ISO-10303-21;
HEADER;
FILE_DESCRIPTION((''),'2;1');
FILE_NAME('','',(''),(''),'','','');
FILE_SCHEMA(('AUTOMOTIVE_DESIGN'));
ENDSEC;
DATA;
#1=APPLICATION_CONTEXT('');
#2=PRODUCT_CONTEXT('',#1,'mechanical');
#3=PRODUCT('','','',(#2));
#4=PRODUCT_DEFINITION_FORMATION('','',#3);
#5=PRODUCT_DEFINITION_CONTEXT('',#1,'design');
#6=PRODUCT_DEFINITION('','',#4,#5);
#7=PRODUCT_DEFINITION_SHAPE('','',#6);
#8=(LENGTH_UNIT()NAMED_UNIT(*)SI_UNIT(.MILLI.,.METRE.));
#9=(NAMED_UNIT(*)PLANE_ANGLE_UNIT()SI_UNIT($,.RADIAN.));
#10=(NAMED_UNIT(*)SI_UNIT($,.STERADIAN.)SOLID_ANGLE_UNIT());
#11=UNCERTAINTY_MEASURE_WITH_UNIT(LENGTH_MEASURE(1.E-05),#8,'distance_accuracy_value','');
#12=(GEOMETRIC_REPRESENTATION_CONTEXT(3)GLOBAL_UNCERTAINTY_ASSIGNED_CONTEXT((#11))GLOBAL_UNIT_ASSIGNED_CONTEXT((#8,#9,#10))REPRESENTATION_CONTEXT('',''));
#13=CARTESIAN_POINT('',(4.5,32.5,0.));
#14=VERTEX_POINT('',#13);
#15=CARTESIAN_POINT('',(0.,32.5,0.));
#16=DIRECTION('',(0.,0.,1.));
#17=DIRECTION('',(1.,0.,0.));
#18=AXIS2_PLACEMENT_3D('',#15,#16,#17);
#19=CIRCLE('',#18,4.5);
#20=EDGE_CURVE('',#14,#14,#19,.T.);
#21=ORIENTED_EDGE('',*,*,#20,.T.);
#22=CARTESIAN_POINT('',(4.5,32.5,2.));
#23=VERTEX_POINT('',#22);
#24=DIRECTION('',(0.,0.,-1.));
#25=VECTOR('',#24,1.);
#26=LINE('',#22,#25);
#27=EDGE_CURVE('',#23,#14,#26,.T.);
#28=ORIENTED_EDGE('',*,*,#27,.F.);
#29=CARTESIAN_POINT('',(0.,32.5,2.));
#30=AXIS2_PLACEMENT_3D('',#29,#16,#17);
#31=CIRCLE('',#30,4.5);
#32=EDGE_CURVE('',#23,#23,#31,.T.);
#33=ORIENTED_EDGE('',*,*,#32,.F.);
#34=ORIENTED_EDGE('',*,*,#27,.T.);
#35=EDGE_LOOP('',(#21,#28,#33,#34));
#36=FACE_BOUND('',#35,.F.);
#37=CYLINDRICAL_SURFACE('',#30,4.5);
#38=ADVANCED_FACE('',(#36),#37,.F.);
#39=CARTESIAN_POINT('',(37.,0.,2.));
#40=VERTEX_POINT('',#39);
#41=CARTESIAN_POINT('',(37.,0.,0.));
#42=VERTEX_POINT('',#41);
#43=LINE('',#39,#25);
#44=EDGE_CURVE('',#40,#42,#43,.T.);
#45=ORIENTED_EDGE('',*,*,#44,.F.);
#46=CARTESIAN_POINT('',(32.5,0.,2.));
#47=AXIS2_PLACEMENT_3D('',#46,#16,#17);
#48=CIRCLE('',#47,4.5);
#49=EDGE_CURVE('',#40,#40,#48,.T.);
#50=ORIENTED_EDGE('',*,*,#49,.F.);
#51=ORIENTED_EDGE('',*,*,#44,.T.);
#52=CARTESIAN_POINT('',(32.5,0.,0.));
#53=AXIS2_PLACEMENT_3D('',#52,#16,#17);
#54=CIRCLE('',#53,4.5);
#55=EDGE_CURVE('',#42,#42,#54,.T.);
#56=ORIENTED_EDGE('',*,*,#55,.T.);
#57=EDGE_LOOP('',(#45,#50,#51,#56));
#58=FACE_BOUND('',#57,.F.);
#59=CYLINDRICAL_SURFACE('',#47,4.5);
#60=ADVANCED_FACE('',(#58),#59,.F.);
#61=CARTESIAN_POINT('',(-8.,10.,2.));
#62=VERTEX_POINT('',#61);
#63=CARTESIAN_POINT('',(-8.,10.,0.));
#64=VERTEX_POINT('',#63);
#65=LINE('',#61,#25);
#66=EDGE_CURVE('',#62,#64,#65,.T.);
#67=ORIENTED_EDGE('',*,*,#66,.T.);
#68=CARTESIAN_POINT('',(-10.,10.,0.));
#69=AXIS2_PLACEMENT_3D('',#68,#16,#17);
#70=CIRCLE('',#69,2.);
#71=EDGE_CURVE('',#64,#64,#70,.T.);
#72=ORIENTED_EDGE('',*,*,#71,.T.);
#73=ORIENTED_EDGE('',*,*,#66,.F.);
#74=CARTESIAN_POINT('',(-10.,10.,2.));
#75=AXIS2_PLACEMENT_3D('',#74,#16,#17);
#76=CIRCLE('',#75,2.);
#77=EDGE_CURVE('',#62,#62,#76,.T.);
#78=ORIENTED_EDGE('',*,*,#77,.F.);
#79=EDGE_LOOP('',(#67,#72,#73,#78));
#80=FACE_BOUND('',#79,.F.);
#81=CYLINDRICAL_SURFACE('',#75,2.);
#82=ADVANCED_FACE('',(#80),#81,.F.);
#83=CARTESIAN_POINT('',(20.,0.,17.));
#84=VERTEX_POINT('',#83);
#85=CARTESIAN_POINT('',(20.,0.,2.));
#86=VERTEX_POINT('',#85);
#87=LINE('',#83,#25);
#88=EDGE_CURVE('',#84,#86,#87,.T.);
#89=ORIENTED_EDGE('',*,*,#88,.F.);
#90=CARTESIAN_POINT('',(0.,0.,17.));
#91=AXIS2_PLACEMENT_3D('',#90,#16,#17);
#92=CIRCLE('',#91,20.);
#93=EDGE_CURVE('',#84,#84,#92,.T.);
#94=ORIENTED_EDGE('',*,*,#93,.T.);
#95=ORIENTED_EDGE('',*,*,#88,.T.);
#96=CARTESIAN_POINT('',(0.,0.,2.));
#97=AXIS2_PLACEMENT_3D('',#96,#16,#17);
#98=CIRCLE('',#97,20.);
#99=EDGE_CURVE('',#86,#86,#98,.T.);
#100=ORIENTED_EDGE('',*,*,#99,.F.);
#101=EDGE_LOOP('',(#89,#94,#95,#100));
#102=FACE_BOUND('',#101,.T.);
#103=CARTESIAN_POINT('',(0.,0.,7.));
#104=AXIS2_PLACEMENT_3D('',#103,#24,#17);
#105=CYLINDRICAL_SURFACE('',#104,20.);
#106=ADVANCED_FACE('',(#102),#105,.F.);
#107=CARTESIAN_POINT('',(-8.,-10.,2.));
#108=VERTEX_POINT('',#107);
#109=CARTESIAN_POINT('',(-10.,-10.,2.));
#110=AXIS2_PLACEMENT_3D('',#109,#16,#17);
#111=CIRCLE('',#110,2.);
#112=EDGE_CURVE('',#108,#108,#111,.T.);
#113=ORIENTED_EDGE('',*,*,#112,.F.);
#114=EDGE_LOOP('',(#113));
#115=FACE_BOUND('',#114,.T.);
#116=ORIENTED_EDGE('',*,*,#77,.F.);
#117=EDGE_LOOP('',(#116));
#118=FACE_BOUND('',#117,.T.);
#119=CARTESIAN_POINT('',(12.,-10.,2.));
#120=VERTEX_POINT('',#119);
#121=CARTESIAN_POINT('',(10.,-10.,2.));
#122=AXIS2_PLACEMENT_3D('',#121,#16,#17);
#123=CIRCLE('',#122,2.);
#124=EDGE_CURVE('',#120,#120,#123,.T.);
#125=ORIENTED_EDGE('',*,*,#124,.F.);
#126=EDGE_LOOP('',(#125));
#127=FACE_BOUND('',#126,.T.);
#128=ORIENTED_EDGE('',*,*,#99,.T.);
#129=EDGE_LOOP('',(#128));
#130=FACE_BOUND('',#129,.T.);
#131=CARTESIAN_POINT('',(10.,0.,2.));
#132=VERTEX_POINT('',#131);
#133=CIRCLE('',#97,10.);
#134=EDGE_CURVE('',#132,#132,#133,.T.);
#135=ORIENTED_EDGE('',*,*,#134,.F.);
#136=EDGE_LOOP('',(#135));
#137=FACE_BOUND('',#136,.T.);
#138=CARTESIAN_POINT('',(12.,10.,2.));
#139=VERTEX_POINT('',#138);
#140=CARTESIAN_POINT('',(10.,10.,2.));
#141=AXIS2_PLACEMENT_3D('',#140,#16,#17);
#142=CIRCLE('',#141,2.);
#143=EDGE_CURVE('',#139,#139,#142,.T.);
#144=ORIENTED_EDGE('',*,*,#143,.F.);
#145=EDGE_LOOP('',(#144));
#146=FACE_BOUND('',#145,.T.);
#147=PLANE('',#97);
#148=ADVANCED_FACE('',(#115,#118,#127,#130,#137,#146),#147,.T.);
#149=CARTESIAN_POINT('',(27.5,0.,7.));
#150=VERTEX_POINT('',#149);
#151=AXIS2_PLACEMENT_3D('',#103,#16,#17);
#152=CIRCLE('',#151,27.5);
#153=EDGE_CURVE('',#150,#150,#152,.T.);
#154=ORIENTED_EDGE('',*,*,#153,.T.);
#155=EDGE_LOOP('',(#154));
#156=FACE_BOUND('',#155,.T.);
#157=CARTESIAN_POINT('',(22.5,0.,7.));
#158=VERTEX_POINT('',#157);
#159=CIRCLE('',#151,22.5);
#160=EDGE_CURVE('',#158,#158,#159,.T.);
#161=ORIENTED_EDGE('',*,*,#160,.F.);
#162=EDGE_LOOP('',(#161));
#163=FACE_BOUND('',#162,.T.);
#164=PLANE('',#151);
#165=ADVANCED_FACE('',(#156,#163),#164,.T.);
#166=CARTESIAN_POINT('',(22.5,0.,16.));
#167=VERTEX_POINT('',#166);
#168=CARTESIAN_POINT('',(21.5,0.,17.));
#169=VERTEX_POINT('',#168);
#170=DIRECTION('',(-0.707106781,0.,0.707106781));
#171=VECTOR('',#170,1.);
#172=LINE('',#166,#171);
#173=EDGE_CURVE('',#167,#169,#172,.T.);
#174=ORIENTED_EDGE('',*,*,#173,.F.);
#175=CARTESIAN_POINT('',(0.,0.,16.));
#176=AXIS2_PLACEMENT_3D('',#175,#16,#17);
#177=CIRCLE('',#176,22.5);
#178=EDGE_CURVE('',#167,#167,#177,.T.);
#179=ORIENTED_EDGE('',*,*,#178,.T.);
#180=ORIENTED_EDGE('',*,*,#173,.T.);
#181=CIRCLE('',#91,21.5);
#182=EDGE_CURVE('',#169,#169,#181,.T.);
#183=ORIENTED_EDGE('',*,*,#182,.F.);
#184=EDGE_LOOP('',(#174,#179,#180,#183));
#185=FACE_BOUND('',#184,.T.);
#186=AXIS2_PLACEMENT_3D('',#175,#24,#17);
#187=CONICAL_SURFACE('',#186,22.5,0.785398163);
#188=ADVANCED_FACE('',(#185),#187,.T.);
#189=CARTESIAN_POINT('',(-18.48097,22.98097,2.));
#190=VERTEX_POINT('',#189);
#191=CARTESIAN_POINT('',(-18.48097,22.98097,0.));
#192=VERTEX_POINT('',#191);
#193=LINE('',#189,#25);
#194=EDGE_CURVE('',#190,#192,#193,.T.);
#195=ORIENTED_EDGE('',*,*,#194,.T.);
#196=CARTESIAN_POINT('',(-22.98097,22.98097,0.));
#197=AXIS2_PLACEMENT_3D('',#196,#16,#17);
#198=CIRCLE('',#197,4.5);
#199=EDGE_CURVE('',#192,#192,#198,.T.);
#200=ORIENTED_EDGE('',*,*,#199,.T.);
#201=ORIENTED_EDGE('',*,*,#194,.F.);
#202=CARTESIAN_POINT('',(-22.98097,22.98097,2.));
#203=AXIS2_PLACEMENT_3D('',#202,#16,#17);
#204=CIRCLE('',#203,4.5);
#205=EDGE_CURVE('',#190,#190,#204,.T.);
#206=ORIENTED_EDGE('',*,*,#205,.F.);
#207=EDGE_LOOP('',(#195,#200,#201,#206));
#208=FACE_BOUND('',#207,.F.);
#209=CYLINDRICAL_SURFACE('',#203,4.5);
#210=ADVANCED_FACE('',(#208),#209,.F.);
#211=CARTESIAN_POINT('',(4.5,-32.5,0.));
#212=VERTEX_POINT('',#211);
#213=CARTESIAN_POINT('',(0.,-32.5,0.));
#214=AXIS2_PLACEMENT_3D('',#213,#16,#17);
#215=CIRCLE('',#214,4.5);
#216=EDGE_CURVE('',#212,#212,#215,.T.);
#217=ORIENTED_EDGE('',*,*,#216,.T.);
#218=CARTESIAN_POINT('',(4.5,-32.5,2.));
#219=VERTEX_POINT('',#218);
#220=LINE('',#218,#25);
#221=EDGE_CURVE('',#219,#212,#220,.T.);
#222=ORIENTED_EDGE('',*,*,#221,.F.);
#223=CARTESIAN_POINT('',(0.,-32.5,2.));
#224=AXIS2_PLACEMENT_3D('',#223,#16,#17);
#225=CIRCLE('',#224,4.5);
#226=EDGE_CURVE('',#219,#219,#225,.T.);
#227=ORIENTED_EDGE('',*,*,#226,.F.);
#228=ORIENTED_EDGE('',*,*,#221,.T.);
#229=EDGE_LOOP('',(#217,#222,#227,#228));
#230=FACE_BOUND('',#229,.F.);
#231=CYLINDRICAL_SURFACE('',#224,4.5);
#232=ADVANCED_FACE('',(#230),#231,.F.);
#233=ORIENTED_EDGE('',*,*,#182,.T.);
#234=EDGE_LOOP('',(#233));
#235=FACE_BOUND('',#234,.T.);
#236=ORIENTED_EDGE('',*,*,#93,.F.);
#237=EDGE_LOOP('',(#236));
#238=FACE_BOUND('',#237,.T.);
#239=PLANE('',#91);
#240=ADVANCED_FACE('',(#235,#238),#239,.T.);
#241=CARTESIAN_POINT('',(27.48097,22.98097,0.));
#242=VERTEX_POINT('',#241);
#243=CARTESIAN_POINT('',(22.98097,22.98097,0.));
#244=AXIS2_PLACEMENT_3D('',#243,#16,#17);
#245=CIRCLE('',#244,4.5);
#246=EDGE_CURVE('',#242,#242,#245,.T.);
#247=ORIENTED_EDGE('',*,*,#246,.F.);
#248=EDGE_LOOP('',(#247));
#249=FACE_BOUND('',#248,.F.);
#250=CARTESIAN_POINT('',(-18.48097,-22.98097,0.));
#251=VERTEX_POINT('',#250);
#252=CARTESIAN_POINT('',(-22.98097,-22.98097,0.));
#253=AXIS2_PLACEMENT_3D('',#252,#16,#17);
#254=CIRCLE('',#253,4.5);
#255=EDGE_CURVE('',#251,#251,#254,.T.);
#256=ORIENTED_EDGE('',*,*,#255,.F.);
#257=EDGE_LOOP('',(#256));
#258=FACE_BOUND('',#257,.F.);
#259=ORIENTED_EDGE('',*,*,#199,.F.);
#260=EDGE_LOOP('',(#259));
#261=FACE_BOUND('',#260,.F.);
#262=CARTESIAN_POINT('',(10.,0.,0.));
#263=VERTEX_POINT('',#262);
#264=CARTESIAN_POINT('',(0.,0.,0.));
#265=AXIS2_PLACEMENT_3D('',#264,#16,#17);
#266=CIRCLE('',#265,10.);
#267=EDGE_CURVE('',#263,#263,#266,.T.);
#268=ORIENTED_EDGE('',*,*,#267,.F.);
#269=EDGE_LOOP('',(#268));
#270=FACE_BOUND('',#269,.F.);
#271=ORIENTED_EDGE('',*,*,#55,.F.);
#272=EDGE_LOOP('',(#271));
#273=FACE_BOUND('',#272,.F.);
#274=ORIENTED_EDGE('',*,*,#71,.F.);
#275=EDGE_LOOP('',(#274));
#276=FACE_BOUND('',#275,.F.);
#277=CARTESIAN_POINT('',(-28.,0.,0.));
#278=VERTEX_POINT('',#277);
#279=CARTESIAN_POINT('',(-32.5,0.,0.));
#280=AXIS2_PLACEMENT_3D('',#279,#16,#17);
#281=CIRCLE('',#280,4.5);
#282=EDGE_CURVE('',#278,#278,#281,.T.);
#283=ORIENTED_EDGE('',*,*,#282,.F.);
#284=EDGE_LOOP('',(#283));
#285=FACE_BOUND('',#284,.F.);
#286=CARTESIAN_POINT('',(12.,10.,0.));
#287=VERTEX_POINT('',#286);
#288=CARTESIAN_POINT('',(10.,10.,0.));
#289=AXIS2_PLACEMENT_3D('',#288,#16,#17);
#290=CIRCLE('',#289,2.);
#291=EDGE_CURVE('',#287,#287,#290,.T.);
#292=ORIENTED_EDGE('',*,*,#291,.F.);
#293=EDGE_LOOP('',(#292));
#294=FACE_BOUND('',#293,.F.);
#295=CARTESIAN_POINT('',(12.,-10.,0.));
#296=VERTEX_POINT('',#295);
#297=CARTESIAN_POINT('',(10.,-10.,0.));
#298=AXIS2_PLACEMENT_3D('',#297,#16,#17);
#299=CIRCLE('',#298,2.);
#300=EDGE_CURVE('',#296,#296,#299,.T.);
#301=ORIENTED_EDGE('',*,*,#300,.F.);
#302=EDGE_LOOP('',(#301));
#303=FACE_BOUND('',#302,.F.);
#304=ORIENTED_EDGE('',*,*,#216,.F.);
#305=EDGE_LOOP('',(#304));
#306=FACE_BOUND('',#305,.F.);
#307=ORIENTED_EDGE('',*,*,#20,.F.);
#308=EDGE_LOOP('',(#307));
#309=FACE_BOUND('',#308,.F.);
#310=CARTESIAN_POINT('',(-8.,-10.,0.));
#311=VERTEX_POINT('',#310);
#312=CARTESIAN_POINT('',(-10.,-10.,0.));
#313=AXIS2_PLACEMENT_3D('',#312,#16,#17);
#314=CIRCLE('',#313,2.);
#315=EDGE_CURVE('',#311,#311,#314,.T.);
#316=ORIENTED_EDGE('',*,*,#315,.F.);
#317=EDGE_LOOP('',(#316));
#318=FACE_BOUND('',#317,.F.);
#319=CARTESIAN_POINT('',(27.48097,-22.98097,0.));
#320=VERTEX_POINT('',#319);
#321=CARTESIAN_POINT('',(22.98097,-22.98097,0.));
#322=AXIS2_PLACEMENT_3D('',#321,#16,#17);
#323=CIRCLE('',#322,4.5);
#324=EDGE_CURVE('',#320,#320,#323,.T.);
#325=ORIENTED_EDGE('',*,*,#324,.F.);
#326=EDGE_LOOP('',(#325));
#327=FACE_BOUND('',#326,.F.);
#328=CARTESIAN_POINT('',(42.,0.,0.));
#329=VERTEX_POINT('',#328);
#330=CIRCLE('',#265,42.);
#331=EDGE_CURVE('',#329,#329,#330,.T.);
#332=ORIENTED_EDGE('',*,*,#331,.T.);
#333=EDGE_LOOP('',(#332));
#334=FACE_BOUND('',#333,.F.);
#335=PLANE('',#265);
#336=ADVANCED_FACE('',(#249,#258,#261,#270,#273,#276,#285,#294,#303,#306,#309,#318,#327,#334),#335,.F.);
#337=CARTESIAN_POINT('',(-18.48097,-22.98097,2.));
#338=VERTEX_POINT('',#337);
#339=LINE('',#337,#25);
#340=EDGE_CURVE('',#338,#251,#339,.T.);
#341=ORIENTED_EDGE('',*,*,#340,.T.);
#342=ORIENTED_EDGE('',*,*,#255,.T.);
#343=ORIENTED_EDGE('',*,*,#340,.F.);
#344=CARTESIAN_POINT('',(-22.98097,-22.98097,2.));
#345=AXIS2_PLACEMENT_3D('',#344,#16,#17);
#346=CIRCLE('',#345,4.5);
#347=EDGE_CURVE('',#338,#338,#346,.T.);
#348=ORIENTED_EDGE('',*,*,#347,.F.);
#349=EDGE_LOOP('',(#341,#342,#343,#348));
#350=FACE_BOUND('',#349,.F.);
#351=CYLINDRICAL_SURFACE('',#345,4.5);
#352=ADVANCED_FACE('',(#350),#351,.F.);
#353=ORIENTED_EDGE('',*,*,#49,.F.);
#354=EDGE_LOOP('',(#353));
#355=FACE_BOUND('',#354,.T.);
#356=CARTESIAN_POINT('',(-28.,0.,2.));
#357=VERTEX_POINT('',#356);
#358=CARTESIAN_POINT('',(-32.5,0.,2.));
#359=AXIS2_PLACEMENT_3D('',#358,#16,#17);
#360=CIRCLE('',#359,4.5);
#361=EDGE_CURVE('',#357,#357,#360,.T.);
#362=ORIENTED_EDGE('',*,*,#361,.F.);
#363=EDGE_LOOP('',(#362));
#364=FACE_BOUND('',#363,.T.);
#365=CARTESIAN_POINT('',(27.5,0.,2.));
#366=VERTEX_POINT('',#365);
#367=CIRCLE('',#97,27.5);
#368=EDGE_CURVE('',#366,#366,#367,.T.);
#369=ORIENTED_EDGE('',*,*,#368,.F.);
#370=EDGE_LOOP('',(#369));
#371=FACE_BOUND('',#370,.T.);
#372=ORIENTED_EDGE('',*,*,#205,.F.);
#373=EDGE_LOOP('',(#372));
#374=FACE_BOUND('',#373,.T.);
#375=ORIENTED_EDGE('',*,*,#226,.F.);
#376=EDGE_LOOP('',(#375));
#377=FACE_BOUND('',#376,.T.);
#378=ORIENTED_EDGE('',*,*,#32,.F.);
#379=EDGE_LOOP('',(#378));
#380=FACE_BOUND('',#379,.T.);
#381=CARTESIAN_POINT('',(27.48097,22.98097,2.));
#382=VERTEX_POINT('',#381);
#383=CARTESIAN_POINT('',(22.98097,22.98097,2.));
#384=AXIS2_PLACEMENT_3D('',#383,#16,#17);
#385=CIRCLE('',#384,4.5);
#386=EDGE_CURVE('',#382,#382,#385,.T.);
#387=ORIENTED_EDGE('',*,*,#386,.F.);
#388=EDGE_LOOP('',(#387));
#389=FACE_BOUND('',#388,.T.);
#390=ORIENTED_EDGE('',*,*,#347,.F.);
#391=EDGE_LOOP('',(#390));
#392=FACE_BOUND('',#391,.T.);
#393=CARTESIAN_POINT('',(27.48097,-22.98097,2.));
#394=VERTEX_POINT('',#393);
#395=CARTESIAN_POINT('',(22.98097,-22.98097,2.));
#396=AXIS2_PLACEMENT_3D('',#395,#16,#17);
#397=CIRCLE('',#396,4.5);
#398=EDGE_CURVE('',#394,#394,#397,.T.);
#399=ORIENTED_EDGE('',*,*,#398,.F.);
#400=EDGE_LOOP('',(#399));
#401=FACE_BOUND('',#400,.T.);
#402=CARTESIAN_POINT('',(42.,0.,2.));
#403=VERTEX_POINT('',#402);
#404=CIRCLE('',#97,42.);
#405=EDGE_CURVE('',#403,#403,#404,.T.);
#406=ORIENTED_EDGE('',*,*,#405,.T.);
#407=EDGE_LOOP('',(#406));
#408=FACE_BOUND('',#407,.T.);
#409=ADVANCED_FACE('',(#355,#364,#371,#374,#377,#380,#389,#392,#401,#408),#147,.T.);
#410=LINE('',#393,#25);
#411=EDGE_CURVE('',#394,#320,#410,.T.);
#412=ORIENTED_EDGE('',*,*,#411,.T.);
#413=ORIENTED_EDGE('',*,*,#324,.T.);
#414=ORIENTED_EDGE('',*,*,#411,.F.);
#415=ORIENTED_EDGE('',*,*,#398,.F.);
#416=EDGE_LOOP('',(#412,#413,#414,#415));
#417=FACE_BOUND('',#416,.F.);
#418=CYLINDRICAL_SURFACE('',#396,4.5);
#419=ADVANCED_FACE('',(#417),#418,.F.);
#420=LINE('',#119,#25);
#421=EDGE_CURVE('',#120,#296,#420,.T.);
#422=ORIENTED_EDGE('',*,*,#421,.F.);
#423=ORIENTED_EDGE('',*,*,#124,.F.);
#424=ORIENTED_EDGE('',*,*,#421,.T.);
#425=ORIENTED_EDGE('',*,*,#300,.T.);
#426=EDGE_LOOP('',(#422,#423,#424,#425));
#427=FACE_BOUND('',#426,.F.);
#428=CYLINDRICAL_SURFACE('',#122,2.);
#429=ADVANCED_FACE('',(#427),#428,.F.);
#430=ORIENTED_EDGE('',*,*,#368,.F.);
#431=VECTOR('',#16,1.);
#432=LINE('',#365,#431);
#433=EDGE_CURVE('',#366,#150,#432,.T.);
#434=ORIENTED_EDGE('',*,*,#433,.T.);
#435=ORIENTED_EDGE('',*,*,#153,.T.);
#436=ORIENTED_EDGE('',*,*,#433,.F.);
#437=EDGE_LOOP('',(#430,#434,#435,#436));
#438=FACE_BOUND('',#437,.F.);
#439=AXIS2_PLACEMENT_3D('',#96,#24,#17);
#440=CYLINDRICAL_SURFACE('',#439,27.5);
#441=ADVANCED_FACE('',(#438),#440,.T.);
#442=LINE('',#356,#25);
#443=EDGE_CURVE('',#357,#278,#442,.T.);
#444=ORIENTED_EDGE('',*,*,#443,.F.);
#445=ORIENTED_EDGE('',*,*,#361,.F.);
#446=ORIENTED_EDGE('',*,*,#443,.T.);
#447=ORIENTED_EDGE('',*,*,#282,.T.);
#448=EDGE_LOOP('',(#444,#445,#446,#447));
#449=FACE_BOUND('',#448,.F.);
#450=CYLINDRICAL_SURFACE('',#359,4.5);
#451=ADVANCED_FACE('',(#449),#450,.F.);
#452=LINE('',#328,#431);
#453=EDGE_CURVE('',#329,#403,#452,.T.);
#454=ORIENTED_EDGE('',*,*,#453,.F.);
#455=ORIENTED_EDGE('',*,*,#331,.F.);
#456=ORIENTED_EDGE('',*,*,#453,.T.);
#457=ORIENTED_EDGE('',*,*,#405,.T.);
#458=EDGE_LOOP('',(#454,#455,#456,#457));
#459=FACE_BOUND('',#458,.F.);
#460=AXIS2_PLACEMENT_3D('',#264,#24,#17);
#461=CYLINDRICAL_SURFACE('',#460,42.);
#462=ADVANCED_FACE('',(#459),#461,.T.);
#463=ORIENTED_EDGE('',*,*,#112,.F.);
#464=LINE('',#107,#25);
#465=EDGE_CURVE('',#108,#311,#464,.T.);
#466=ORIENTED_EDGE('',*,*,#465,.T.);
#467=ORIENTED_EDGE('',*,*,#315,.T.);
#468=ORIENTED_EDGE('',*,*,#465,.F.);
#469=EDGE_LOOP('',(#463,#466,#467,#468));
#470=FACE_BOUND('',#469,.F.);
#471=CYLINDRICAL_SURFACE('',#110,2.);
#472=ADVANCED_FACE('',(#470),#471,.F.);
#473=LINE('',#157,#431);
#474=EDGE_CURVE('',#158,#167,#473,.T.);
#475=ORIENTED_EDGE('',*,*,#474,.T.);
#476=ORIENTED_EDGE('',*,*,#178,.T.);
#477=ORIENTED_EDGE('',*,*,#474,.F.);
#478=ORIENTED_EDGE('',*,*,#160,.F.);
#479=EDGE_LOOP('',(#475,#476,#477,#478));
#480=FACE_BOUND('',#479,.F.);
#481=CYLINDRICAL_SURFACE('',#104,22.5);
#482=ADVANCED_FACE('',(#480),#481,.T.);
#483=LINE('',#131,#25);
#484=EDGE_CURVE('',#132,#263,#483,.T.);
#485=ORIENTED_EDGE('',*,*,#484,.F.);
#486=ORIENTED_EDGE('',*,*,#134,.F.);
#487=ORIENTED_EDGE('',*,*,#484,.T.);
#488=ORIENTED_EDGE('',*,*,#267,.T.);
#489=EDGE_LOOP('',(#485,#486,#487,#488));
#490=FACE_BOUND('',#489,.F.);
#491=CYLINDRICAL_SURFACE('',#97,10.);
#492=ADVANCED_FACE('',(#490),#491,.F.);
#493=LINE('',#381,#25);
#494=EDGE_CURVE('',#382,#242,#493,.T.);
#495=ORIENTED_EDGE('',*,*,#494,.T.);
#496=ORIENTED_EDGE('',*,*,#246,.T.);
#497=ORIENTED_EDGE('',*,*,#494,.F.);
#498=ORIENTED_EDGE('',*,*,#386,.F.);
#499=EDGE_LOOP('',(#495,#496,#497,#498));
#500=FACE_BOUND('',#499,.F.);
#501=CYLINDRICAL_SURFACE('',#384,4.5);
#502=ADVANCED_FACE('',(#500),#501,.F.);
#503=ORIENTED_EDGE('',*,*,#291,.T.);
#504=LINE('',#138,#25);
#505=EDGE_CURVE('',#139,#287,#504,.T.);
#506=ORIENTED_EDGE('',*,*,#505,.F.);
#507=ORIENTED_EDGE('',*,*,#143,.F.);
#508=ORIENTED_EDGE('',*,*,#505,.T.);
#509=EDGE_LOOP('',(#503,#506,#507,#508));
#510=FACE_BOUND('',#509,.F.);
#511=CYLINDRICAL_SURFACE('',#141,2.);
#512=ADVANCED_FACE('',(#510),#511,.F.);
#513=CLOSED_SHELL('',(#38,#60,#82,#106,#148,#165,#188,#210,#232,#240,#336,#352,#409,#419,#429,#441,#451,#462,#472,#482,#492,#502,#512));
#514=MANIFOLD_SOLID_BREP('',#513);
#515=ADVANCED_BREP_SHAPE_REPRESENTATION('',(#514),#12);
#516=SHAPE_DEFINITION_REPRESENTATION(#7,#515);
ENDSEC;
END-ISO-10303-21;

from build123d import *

# Parameters (mm, degrees)
SKETCH_R        = 42
PAD_DEPTH       = 2
SKETCH001_R     = 27.5
SKETCH001_R_2   = 20
PAD001_DEPTH    = 5
SKETCH002_R     = 22.5
SKETCH002_R_2   = 20
PAD002_DEPTH    = 10
CHAMFER_SIZE    = 1
SKETCH003_R     = 2
POCKET_DEPTH    = 2.001
SKETCH004_R     = 10
POCKET001_DEPTH = 5
SKETCH005_R     = 4.5
POCKET002_DEPTH = 2.001


with BuildPart() as part:
    # Sketch → Pad (new body)
    with BuildSketch(Plane.XY):
        Circle(SKETCH_R)
    extrude(amount=PAD_DEPTH)

    # Sketch001 (on Face3 of Pad) → Pad001 (join)
    with BuildSketch(Plane.XY.offset(2)):
        Circle(SKETCH001_R)
        Circle(SKETCH001_R_2, mode=Mode.SUBTRACT)
    extrude(amount=PAD001_DEPTH)

    # Sketch002 (on Face5 of Pad001) → Pad002 (join)
    with BuildSketch(Plane.XY.offset(7)):
        Circle(SKETCH002_R)
        Circle(SKETCH002_R_2, mode=Mode.SUBTRACT)
    extrude(amount=PAD002_DEPTH)

    # Chamfer
    chamfer_edges = [part.edges().sort_by_distance(p)[0] for p in [
        (-22.5, 0, 17),
    ]]
    chamfer(chamfer_edges, length=CHAMFER_SIZE)

    # Sketch003 (on Face10 of Chamfer) → Pocket (cut, through all)
    with BuildSketch(Plane.XY.offset(2)):
        with Locations((-10, 10)):
            Circle(SKETCH003_R)
        with Locations((10, 10)):
            Circle(SKETCH003_R)
        with Locations((10, -10)):
            Circle(SKETCH003_R)
        with Locations((-10, -10)):
            Circle(SKETCH003_R)
    extrude(amount=-POCKET_DEPTH, mode=Mode.SUBTRACT)

    # Sketch004 (on Face10 of Pocket) → Pocket001 (cut)
    with BuildSketch(Plane.XY.offset(2)):
        Circle(SKETCH004_R)
    extrude(amount=-POCKET001_DEPTH, mode=Mode.SUBTRACT)

    # Sketch005 (on Face7 of Pocket001) → Pocket002 (cut, through all)
    with BuildSketch(Plane.XY.offset(2)):
        with Locations((-22.98097, 22.98097)):
            Circle(SKETCH005_R)
        with Locations((0, 32.5)):
            Circle(SKETCH005_R)
        with Locations((22.98097, 22.98097)):
            Circle(SKETCH005_R)
        with Locations((32.5, 0)):
            Circle(SKETCH005_R)
        with Locations((-32.5, 0)):
            Circle(SKETCH005_R)
        with Locations((-22.98097, -22.98097)):
            Circle(SKETCH005_R)
        with Locations((0, -32.5)):
            Circle(SKETCH005_R)
        with Locations((22.98097, -22.98097)):
            Circle(SKETCH005_R)
    extrude(amount=-POCKET002_DEPTH, mode=Mode.SUBTRACT)


solid = part.part
